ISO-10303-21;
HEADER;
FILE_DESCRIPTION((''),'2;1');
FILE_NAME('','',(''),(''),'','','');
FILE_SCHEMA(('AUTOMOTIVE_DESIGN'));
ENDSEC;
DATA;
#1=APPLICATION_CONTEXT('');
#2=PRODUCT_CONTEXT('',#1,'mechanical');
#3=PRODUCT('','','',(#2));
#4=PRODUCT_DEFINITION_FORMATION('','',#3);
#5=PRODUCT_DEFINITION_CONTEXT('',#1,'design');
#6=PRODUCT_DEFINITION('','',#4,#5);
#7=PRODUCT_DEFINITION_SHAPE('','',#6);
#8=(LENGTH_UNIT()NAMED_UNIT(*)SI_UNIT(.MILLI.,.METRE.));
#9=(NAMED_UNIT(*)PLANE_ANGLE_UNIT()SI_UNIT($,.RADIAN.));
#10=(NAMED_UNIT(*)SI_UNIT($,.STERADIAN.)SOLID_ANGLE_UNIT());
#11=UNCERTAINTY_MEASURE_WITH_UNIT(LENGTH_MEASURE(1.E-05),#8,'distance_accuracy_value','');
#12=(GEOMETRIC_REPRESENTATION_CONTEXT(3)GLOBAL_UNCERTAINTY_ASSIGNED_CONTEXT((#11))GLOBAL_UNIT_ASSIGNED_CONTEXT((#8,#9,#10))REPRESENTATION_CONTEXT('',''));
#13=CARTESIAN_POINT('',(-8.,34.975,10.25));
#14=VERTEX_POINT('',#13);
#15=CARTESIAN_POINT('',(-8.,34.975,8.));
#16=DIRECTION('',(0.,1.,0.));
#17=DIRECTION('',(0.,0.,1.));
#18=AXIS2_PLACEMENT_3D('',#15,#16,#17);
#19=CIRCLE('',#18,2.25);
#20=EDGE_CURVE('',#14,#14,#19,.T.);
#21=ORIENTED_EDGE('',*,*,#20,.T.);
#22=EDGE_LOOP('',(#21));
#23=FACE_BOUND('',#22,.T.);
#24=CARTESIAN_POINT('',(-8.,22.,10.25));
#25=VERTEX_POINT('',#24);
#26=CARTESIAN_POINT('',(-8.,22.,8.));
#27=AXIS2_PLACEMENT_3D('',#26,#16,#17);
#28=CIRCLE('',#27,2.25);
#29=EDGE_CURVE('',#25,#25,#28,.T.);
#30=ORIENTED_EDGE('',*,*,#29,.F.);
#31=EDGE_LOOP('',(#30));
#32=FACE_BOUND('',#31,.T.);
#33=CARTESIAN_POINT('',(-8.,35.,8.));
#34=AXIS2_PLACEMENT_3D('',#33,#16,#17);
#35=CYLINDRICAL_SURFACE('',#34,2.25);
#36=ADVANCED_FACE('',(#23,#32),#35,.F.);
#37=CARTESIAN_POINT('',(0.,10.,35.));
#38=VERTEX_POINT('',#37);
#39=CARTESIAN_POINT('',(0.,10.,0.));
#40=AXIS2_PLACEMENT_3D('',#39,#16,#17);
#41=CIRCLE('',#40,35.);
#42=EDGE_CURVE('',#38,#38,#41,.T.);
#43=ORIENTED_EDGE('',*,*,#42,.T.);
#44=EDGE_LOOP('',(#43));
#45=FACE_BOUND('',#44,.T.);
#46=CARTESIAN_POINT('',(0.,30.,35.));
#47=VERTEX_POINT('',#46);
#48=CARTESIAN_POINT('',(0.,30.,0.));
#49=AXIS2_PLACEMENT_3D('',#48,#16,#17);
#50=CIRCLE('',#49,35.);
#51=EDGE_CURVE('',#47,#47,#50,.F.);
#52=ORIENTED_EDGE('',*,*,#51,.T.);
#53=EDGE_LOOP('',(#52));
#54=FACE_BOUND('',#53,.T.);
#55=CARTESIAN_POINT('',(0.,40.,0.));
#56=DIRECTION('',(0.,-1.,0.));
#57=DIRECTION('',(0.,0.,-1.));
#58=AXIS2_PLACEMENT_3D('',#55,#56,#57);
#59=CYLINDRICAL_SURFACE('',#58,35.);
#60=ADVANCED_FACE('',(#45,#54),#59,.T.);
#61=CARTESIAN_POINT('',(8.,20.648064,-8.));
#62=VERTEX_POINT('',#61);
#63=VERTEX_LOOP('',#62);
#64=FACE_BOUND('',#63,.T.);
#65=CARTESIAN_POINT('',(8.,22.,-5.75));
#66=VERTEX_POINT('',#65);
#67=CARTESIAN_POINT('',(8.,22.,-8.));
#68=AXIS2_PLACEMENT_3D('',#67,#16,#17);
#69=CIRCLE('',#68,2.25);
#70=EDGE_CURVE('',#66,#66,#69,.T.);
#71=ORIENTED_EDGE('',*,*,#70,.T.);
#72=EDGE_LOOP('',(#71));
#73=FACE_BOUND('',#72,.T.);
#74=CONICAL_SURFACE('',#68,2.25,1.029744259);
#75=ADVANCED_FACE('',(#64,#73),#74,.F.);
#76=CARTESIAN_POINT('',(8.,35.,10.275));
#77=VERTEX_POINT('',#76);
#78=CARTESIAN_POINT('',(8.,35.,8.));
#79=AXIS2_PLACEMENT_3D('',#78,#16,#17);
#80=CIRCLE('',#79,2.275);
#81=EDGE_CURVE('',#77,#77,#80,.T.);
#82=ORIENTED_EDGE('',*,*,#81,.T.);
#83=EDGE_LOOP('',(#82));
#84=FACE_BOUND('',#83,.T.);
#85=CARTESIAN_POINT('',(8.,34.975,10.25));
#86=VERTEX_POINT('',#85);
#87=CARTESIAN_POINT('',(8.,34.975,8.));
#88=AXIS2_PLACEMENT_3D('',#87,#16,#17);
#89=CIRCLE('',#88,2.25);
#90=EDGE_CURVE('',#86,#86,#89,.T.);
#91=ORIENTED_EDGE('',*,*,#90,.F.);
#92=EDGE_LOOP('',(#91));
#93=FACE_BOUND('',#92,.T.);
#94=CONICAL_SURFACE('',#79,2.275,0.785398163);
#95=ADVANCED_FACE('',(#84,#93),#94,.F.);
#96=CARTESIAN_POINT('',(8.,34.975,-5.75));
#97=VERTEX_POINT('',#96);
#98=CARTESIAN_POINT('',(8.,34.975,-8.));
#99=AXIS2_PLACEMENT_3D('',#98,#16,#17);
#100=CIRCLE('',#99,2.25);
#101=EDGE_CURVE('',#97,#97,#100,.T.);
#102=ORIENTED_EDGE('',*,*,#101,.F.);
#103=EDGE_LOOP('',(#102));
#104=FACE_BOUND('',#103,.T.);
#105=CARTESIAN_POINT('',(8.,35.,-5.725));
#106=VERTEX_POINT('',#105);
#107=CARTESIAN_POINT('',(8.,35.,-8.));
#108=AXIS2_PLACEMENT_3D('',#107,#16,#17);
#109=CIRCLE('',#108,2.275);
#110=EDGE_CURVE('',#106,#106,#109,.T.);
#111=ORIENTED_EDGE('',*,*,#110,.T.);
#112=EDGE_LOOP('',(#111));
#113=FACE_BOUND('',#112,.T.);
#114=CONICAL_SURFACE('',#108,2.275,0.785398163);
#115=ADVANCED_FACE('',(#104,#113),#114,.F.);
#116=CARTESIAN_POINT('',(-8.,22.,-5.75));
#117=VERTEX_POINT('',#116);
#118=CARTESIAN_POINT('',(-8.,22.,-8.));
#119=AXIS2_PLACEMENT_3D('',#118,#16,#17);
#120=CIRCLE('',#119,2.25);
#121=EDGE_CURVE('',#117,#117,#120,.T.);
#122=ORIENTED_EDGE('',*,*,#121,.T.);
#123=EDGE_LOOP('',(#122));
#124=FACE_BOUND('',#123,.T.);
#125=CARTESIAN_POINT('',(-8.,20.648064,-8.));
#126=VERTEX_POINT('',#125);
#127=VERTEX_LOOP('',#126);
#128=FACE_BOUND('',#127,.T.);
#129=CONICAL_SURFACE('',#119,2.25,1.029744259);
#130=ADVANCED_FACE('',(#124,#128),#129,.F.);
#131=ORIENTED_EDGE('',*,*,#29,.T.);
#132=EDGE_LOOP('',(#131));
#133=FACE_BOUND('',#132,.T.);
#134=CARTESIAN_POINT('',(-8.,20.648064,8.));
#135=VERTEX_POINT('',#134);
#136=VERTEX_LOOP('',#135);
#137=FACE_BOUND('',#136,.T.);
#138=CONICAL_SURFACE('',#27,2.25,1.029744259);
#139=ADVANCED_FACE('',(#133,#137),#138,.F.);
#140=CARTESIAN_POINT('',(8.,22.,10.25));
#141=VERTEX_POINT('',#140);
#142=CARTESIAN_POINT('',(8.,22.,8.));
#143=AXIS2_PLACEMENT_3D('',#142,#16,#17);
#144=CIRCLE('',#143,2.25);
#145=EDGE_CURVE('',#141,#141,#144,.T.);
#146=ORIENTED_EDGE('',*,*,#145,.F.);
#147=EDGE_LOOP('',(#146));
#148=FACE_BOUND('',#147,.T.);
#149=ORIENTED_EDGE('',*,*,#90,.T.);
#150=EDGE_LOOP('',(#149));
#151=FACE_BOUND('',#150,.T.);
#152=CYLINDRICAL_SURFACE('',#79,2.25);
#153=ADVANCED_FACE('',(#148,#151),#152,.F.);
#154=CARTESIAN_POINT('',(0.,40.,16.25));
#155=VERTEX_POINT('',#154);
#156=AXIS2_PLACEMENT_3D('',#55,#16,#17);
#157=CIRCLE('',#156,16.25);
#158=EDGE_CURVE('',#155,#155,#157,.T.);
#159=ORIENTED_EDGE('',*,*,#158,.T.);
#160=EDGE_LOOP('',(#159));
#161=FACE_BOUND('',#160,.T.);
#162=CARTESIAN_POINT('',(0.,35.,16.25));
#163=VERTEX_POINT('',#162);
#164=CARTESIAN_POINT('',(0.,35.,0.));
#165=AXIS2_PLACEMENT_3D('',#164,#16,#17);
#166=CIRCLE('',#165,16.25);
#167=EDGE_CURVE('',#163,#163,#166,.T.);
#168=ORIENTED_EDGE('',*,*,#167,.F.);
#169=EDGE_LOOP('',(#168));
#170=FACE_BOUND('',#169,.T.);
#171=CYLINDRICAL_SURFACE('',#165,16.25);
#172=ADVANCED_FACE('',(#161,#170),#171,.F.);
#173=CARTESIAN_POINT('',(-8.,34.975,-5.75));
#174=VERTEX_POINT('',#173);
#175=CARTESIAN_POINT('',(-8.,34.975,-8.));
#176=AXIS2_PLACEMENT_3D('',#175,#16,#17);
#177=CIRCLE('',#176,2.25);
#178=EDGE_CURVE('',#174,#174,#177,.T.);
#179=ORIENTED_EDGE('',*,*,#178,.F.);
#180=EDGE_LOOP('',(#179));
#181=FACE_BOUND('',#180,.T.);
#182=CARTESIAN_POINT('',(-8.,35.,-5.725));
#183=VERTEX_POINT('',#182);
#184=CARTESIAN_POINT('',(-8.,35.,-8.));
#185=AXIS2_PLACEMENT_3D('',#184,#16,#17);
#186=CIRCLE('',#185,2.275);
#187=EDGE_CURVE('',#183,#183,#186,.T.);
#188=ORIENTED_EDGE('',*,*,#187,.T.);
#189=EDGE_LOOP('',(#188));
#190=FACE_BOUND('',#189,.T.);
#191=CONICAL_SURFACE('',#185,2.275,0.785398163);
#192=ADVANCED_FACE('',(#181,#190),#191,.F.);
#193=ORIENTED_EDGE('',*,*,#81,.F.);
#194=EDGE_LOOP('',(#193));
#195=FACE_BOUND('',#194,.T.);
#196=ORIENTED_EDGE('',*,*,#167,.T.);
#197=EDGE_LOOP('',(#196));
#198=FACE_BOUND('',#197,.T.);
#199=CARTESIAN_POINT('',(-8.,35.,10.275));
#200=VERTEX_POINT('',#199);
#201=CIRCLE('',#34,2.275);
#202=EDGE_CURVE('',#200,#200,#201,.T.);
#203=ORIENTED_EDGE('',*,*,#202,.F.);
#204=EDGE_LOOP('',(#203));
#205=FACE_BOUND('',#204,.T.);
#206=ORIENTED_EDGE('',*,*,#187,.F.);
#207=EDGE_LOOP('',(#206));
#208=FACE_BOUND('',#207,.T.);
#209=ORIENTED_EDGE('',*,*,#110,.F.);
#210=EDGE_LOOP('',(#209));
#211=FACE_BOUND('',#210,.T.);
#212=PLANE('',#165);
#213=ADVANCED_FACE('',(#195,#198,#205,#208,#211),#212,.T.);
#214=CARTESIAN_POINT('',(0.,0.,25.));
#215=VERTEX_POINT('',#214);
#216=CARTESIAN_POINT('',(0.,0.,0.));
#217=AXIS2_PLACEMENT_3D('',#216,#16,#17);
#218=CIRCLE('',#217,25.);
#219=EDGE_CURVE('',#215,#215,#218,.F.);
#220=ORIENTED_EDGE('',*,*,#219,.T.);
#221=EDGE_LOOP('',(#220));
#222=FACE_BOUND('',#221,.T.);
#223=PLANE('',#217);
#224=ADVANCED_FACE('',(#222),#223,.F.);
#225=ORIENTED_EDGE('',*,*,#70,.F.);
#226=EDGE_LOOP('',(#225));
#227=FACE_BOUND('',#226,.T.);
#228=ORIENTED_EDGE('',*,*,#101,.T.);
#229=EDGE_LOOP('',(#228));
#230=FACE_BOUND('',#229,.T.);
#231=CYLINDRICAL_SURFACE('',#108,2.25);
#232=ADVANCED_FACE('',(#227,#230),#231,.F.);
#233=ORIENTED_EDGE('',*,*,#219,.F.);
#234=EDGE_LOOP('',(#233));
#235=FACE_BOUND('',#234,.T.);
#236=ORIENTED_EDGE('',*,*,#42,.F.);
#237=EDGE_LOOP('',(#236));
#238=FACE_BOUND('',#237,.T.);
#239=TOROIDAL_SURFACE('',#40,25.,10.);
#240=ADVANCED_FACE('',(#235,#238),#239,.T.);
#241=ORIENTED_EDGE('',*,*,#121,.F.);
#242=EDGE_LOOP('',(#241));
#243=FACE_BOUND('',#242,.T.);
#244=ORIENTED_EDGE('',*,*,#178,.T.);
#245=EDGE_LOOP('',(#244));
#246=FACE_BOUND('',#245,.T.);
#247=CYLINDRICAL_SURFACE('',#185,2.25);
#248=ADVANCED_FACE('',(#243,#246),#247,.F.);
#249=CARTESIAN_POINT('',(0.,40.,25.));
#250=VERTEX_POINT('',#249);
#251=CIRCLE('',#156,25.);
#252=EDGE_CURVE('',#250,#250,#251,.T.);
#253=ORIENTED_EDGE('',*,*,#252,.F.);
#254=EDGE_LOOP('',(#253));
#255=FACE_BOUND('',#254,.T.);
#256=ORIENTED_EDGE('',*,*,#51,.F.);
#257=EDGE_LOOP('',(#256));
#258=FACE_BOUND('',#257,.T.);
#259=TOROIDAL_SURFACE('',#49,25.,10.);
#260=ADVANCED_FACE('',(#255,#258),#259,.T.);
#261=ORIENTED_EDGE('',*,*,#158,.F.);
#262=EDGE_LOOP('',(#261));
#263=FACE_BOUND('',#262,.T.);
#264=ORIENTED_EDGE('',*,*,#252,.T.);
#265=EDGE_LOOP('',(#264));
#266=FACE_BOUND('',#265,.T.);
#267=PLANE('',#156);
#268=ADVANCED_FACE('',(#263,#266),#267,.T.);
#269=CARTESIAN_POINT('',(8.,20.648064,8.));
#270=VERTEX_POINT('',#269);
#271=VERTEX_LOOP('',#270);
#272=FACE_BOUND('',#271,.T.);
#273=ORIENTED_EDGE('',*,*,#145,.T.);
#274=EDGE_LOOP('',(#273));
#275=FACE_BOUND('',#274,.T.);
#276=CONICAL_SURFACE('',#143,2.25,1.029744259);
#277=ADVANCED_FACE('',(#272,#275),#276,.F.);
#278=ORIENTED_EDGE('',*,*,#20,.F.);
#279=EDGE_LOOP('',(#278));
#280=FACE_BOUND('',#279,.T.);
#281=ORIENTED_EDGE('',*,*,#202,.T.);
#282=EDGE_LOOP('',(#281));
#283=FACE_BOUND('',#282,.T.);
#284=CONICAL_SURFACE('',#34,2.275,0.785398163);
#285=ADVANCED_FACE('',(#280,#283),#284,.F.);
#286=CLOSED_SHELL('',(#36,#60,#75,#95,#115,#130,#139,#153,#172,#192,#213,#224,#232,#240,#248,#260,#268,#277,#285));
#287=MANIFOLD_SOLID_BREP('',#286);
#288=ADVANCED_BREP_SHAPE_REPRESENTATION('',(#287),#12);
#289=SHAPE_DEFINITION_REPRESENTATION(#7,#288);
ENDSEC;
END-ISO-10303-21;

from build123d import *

# Parameters (mm, degrees)
SKETCH1_R                      = 35
BOSS_EXTRUDE1_DEPTH            = 40
SKETCH2_R                      = 16.25
CUT_EXTRUDE1_DEPTH             = 5
M4_CLEARANCE_HOLE1_D           = 4.5
M4_CLEARANCE_HOLE1_DEPTH       = 13
M4_CLEARANCE_HOLE1_CSINK_D     = 4.55
M4_CLEARANCE_HOLE1_CSINK_ANGLE = 90
M4_CLEARANCE_HOLE1_TIP         = 1.351936393
FILLET4_R                      = 10


with BuildPart() as part:
    # Sketch1 → Boss-Extrude1 (new body)
    with BuildSketch(Plane(origin=(0, 0, 0), x_dir=(1, 0, 0), z_dir=(0, 1, 0))):
        Circle(SKETCH1_R)
    extrude(amount=BOSS_EXTRUDE1_DEPTH)

    # Sketch2 → Cut-Extrude1 (cut)
    with BuildSketch(Plane(origin=(0, 40, 0), x_dir=(1, 0, 0), z_dir=(0, 1, 0))):
        Circle(SKETCH2_R)
    extrude(amount=-CUT_EXTRUDE1_DEPTH, mode=Mode.SUBTRACT)

    # M4 Clearance Hole1
    with Locations(Plane(origin=(0, 35, 0), x_dir=(1, 0, 0), z_dir=(0, 1, 0))):
        with Locations((-8, 8), (8, 8), (8, -8), (-8, -8)):
            CounterSinkHole(M4_CLEARANCE_HOLE1_D / 2, M4_CLEARANCE_HOLE1_CSINK_D / 2, depth=M4_CLEARANCE_HOLE1_DEPTH, counter_sink_angle=M4_CLEARANCE_HOLE1_CSINK_ANGLE)
            with Locations((0, 0, -(M4_CLEARANCE_HOLE1_DEPTH + M4_CLEARANCE_HOLE1_TIP / 2))):  # 118° drill point
                Cone(0, M4_CLEARANCE_HOLE1_D / 2, M4_CLEARANCE_HOLE1_TIP, mode=Mode.SUBTRACT)

    # Fillet4
    fillet4_edges = [part.edges().sort_by_distance(p)[0] for p in [
        (-35, 0, 0),
        (-35, 40, 0),
    ]]
    fillet(fillet4_edges, radius=FILLET4_R)


solid = part.part
